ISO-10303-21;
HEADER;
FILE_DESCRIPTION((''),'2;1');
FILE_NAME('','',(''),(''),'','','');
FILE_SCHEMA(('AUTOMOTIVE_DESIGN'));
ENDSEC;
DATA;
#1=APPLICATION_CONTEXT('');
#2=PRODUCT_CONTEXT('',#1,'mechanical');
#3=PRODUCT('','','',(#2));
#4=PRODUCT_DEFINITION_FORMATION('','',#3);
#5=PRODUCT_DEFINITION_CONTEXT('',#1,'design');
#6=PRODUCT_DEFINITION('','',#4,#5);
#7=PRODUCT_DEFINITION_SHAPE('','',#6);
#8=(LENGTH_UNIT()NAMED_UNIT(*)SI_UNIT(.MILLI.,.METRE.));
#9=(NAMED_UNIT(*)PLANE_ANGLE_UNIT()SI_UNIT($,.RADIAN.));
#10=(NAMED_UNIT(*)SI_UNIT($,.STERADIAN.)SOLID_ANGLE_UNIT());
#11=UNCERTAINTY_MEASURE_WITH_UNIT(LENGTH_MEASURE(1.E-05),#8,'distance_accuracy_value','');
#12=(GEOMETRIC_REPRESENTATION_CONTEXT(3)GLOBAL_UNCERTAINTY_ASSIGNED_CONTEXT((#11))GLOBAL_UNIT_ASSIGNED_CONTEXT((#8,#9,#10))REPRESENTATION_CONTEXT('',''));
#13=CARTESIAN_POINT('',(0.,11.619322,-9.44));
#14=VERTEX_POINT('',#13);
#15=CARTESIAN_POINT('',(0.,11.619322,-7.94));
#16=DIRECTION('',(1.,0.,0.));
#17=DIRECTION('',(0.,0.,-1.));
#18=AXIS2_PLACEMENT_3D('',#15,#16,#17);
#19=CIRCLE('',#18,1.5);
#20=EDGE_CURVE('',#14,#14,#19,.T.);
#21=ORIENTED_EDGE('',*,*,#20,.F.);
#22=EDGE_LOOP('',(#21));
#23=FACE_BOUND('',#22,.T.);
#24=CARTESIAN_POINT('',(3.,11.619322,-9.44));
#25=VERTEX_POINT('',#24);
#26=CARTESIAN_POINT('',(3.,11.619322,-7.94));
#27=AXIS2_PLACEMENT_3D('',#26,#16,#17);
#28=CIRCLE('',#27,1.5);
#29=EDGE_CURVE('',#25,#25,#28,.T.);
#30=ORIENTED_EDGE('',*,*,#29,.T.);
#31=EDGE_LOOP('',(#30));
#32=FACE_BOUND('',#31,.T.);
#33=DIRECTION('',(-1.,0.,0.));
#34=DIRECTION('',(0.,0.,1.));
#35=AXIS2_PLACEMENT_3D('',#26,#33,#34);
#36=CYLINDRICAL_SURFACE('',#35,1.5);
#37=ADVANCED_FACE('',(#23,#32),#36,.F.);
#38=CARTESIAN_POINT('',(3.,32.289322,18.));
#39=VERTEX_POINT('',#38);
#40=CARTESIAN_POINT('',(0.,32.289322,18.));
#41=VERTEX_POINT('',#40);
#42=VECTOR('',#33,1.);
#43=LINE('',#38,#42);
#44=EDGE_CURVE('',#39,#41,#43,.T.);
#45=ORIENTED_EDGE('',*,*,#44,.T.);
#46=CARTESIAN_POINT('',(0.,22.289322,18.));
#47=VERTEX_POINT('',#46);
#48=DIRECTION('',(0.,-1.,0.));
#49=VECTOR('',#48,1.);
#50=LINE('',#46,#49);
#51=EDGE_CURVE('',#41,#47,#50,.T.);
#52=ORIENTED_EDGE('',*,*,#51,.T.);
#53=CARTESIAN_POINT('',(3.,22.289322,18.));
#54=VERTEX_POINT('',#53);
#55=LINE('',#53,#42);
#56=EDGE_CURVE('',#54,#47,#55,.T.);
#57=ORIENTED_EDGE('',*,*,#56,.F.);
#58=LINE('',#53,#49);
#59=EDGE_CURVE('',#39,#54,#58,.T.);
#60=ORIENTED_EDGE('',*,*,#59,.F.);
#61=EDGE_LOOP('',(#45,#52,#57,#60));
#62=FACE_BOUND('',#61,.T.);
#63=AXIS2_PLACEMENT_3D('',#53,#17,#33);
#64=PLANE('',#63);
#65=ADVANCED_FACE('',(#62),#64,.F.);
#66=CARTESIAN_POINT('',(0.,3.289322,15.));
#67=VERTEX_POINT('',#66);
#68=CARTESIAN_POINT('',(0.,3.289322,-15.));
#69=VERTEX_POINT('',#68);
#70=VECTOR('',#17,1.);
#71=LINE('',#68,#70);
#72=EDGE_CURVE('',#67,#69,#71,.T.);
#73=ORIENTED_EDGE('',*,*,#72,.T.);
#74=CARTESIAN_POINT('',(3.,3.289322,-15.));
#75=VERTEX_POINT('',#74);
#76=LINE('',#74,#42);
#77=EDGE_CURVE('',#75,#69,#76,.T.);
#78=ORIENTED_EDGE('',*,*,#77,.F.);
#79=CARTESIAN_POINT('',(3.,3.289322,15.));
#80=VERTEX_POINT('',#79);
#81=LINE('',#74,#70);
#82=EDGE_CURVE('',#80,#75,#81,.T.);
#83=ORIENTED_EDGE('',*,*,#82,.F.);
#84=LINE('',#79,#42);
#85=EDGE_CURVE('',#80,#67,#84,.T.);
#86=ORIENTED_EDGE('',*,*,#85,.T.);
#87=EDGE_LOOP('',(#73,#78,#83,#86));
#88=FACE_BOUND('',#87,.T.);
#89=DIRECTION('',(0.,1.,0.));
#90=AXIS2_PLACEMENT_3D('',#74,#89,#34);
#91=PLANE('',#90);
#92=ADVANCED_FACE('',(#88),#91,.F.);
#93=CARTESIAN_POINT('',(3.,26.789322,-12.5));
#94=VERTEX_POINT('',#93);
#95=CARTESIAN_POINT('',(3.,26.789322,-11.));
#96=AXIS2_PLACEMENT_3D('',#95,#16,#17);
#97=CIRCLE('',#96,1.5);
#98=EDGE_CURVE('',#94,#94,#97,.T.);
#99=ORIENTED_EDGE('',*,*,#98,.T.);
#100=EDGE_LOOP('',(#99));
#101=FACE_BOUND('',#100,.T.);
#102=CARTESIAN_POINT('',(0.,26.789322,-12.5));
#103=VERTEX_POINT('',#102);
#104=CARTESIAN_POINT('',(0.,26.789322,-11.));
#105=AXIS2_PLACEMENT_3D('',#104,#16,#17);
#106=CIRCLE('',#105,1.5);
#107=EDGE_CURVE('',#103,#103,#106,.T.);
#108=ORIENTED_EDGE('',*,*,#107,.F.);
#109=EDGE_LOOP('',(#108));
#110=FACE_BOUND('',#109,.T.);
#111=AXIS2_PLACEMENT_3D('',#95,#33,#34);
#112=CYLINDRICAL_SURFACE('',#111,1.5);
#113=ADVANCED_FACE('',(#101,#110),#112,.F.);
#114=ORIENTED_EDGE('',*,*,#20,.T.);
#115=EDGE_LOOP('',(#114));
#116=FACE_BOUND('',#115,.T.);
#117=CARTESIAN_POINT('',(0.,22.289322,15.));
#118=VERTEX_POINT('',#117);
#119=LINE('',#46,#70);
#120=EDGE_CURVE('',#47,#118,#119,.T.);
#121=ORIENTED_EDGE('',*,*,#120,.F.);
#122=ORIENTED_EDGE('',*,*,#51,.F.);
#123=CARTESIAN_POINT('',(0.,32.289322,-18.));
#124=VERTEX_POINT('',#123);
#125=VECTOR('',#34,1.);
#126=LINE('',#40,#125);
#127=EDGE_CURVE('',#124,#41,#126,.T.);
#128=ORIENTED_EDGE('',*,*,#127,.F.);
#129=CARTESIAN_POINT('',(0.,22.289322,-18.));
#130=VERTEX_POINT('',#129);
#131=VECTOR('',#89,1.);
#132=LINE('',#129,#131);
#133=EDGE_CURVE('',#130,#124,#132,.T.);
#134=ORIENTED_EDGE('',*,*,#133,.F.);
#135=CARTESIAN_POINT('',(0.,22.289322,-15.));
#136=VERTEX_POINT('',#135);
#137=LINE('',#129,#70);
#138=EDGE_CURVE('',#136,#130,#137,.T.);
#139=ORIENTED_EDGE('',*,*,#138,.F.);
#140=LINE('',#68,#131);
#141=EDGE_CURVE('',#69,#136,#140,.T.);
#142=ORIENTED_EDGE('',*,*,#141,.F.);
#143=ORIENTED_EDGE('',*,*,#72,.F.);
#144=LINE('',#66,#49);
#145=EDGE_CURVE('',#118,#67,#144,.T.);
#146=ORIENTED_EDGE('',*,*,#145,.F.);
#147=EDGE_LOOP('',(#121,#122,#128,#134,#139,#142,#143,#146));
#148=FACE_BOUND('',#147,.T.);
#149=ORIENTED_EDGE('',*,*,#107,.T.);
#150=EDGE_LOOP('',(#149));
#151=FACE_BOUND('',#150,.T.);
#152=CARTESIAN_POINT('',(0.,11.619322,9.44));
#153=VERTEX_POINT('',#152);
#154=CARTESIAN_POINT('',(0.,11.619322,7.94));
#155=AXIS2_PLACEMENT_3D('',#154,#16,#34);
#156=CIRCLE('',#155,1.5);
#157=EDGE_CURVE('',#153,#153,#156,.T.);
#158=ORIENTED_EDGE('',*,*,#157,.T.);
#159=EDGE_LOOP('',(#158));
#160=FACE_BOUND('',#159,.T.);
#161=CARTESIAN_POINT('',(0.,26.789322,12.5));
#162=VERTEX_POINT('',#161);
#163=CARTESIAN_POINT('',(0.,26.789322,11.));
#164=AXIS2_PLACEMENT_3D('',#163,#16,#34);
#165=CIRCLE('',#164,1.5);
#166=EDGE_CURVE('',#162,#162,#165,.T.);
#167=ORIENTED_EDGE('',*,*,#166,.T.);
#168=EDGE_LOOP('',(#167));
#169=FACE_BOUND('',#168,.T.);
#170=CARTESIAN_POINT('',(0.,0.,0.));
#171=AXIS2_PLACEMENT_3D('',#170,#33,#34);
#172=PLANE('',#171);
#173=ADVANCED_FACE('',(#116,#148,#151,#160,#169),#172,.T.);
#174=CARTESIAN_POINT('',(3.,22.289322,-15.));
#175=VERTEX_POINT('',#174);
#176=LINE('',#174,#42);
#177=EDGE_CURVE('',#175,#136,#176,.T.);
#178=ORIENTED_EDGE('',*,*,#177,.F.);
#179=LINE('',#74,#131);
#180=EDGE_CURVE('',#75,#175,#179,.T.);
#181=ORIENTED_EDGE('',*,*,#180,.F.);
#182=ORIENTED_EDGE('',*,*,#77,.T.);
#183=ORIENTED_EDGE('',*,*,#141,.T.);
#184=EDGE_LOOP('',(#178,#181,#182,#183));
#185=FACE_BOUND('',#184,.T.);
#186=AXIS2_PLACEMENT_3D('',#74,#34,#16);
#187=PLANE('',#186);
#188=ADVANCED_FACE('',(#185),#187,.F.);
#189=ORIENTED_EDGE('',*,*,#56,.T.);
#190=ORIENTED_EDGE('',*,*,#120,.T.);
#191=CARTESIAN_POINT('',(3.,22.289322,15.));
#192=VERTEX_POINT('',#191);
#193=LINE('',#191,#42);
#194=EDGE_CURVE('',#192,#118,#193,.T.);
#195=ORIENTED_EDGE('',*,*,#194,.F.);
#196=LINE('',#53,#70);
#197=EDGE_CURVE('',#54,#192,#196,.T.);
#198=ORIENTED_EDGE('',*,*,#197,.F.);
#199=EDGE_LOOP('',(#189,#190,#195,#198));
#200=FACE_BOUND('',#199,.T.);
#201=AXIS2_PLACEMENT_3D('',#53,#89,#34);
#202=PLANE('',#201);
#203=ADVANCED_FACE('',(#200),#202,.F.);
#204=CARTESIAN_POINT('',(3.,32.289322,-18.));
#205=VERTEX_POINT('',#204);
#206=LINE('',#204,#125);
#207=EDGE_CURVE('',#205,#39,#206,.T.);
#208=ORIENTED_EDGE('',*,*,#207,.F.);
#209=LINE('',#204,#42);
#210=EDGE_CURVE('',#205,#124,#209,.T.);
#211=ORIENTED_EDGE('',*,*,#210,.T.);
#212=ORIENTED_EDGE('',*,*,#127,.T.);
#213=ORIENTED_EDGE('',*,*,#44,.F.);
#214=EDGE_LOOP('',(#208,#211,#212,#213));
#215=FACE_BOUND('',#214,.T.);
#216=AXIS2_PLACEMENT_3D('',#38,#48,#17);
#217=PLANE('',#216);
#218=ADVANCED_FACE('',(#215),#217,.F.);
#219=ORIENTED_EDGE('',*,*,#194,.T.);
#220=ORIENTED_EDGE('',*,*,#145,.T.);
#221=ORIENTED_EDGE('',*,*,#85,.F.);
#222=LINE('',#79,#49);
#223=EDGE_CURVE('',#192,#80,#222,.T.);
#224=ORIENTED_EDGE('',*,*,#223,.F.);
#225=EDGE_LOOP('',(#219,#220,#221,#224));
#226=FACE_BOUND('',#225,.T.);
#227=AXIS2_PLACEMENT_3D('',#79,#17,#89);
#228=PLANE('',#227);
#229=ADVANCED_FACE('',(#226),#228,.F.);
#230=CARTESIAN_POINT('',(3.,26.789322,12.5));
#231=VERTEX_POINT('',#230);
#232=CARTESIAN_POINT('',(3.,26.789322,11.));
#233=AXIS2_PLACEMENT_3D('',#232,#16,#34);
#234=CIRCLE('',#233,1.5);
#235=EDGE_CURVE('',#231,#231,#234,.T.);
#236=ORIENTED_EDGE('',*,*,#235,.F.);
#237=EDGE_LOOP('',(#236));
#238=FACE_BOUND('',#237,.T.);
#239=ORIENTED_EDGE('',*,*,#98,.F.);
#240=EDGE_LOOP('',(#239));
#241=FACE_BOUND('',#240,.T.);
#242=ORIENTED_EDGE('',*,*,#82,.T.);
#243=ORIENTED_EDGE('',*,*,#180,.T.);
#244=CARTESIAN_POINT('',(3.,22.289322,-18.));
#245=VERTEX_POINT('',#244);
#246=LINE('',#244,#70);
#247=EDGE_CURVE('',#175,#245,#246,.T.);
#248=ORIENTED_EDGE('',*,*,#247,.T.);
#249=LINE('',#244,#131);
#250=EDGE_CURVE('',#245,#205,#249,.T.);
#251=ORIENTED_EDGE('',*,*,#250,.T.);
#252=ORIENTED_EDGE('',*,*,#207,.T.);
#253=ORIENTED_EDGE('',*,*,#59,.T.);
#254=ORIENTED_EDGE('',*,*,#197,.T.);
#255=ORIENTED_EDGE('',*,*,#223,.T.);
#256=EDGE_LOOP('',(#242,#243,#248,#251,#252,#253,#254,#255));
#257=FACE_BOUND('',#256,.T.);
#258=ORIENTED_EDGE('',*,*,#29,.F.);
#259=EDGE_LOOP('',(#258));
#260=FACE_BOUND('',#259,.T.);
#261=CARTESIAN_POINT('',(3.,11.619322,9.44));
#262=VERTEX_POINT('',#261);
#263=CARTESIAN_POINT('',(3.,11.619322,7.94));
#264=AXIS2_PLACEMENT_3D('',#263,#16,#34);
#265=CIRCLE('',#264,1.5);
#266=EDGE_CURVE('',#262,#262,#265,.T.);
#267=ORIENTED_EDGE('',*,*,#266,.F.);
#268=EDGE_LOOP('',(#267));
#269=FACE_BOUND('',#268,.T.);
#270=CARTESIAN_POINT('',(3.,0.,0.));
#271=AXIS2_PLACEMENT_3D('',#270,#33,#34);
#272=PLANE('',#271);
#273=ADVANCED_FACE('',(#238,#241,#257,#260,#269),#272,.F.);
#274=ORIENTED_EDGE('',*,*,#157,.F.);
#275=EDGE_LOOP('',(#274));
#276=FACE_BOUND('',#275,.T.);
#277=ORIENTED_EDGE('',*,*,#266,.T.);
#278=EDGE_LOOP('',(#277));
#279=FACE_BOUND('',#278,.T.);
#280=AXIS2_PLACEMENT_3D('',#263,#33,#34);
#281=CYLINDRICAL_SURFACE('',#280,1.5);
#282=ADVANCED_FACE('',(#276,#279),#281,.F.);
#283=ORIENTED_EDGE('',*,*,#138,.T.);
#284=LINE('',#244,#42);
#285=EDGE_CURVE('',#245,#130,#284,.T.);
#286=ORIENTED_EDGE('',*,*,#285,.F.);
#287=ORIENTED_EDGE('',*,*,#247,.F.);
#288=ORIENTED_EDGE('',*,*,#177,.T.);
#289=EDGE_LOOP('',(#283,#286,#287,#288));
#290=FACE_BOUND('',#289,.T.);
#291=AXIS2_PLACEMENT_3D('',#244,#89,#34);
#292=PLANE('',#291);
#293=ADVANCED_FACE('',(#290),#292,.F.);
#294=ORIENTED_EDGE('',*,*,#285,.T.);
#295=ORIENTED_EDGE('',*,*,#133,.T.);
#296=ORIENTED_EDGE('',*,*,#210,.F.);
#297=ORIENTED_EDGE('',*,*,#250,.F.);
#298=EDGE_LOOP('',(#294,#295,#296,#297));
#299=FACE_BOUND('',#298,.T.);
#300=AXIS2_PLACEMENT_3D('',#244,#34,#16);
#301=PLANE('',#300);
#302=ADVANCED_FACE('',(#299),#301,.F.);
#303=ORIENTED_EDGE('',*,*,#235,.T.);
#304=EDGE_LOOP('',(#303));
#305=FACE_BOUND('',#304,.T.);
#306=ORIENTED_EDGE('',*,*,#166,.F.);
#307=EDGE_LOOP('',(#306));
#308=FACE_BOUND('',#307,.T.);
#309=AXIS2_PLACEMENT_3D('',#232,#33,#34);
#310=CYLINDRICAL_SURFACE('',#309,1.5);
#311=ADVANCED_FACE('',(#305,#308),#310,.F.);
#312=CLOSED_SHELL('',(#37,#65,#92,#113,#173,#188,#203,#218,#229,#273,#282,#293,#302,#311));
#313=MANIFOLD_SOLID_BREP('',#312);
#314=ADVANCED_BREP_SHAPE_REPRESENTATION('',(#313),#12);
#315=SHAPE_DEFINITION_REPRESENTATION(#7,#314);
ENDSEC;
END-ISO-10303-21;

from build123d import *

# Parameters (mm, degrees)
SKETCH1_R           = 1.5
BOSS_EXTRUDE1_DEPTH = 3


with BuildPart() as part:
    # Sketch1 → Boss-Extrude1 (new body)
    with BuildSketch(Plane(origin=(0, 0, 0), x_dir=(0, 0, -1), z_dir=(1, 0, 0))):
        Polygon((15, 3.289322104), (-15, 3.289322104), (-15, 22.289322104), (-18, 22.289322104), (-18, 32.289322104), (-15, 32.289322104), (15, 32.289322104), (18, 32.289322104), (18, 22.289322104), (15, 22.289322104), align=None)
        with Locations((7.94, 11.619322104)):
            Circle(SKETCH1_R, mode=Mode.SUBTRACT)
        with Locations(Location((-7.94, 11.619322104, 0), (0, 0, 180))):
            Circle(SKETCH1_R, mode=Mode.SUBTRACT)
        with Locations((11, 26.789322104)):
            Circle(SKETCH1_R, mode=Mode.SUBTRACT)
        with Locations(Location((-11, 26.789322104, 0), (0, 0, 180))):
            Circle(SKETCH1_R, mode=Mode.SUBTRACT)
    extrude(amount=BOSS_EXTRUDE1_DEPTH)


solid = part.part
